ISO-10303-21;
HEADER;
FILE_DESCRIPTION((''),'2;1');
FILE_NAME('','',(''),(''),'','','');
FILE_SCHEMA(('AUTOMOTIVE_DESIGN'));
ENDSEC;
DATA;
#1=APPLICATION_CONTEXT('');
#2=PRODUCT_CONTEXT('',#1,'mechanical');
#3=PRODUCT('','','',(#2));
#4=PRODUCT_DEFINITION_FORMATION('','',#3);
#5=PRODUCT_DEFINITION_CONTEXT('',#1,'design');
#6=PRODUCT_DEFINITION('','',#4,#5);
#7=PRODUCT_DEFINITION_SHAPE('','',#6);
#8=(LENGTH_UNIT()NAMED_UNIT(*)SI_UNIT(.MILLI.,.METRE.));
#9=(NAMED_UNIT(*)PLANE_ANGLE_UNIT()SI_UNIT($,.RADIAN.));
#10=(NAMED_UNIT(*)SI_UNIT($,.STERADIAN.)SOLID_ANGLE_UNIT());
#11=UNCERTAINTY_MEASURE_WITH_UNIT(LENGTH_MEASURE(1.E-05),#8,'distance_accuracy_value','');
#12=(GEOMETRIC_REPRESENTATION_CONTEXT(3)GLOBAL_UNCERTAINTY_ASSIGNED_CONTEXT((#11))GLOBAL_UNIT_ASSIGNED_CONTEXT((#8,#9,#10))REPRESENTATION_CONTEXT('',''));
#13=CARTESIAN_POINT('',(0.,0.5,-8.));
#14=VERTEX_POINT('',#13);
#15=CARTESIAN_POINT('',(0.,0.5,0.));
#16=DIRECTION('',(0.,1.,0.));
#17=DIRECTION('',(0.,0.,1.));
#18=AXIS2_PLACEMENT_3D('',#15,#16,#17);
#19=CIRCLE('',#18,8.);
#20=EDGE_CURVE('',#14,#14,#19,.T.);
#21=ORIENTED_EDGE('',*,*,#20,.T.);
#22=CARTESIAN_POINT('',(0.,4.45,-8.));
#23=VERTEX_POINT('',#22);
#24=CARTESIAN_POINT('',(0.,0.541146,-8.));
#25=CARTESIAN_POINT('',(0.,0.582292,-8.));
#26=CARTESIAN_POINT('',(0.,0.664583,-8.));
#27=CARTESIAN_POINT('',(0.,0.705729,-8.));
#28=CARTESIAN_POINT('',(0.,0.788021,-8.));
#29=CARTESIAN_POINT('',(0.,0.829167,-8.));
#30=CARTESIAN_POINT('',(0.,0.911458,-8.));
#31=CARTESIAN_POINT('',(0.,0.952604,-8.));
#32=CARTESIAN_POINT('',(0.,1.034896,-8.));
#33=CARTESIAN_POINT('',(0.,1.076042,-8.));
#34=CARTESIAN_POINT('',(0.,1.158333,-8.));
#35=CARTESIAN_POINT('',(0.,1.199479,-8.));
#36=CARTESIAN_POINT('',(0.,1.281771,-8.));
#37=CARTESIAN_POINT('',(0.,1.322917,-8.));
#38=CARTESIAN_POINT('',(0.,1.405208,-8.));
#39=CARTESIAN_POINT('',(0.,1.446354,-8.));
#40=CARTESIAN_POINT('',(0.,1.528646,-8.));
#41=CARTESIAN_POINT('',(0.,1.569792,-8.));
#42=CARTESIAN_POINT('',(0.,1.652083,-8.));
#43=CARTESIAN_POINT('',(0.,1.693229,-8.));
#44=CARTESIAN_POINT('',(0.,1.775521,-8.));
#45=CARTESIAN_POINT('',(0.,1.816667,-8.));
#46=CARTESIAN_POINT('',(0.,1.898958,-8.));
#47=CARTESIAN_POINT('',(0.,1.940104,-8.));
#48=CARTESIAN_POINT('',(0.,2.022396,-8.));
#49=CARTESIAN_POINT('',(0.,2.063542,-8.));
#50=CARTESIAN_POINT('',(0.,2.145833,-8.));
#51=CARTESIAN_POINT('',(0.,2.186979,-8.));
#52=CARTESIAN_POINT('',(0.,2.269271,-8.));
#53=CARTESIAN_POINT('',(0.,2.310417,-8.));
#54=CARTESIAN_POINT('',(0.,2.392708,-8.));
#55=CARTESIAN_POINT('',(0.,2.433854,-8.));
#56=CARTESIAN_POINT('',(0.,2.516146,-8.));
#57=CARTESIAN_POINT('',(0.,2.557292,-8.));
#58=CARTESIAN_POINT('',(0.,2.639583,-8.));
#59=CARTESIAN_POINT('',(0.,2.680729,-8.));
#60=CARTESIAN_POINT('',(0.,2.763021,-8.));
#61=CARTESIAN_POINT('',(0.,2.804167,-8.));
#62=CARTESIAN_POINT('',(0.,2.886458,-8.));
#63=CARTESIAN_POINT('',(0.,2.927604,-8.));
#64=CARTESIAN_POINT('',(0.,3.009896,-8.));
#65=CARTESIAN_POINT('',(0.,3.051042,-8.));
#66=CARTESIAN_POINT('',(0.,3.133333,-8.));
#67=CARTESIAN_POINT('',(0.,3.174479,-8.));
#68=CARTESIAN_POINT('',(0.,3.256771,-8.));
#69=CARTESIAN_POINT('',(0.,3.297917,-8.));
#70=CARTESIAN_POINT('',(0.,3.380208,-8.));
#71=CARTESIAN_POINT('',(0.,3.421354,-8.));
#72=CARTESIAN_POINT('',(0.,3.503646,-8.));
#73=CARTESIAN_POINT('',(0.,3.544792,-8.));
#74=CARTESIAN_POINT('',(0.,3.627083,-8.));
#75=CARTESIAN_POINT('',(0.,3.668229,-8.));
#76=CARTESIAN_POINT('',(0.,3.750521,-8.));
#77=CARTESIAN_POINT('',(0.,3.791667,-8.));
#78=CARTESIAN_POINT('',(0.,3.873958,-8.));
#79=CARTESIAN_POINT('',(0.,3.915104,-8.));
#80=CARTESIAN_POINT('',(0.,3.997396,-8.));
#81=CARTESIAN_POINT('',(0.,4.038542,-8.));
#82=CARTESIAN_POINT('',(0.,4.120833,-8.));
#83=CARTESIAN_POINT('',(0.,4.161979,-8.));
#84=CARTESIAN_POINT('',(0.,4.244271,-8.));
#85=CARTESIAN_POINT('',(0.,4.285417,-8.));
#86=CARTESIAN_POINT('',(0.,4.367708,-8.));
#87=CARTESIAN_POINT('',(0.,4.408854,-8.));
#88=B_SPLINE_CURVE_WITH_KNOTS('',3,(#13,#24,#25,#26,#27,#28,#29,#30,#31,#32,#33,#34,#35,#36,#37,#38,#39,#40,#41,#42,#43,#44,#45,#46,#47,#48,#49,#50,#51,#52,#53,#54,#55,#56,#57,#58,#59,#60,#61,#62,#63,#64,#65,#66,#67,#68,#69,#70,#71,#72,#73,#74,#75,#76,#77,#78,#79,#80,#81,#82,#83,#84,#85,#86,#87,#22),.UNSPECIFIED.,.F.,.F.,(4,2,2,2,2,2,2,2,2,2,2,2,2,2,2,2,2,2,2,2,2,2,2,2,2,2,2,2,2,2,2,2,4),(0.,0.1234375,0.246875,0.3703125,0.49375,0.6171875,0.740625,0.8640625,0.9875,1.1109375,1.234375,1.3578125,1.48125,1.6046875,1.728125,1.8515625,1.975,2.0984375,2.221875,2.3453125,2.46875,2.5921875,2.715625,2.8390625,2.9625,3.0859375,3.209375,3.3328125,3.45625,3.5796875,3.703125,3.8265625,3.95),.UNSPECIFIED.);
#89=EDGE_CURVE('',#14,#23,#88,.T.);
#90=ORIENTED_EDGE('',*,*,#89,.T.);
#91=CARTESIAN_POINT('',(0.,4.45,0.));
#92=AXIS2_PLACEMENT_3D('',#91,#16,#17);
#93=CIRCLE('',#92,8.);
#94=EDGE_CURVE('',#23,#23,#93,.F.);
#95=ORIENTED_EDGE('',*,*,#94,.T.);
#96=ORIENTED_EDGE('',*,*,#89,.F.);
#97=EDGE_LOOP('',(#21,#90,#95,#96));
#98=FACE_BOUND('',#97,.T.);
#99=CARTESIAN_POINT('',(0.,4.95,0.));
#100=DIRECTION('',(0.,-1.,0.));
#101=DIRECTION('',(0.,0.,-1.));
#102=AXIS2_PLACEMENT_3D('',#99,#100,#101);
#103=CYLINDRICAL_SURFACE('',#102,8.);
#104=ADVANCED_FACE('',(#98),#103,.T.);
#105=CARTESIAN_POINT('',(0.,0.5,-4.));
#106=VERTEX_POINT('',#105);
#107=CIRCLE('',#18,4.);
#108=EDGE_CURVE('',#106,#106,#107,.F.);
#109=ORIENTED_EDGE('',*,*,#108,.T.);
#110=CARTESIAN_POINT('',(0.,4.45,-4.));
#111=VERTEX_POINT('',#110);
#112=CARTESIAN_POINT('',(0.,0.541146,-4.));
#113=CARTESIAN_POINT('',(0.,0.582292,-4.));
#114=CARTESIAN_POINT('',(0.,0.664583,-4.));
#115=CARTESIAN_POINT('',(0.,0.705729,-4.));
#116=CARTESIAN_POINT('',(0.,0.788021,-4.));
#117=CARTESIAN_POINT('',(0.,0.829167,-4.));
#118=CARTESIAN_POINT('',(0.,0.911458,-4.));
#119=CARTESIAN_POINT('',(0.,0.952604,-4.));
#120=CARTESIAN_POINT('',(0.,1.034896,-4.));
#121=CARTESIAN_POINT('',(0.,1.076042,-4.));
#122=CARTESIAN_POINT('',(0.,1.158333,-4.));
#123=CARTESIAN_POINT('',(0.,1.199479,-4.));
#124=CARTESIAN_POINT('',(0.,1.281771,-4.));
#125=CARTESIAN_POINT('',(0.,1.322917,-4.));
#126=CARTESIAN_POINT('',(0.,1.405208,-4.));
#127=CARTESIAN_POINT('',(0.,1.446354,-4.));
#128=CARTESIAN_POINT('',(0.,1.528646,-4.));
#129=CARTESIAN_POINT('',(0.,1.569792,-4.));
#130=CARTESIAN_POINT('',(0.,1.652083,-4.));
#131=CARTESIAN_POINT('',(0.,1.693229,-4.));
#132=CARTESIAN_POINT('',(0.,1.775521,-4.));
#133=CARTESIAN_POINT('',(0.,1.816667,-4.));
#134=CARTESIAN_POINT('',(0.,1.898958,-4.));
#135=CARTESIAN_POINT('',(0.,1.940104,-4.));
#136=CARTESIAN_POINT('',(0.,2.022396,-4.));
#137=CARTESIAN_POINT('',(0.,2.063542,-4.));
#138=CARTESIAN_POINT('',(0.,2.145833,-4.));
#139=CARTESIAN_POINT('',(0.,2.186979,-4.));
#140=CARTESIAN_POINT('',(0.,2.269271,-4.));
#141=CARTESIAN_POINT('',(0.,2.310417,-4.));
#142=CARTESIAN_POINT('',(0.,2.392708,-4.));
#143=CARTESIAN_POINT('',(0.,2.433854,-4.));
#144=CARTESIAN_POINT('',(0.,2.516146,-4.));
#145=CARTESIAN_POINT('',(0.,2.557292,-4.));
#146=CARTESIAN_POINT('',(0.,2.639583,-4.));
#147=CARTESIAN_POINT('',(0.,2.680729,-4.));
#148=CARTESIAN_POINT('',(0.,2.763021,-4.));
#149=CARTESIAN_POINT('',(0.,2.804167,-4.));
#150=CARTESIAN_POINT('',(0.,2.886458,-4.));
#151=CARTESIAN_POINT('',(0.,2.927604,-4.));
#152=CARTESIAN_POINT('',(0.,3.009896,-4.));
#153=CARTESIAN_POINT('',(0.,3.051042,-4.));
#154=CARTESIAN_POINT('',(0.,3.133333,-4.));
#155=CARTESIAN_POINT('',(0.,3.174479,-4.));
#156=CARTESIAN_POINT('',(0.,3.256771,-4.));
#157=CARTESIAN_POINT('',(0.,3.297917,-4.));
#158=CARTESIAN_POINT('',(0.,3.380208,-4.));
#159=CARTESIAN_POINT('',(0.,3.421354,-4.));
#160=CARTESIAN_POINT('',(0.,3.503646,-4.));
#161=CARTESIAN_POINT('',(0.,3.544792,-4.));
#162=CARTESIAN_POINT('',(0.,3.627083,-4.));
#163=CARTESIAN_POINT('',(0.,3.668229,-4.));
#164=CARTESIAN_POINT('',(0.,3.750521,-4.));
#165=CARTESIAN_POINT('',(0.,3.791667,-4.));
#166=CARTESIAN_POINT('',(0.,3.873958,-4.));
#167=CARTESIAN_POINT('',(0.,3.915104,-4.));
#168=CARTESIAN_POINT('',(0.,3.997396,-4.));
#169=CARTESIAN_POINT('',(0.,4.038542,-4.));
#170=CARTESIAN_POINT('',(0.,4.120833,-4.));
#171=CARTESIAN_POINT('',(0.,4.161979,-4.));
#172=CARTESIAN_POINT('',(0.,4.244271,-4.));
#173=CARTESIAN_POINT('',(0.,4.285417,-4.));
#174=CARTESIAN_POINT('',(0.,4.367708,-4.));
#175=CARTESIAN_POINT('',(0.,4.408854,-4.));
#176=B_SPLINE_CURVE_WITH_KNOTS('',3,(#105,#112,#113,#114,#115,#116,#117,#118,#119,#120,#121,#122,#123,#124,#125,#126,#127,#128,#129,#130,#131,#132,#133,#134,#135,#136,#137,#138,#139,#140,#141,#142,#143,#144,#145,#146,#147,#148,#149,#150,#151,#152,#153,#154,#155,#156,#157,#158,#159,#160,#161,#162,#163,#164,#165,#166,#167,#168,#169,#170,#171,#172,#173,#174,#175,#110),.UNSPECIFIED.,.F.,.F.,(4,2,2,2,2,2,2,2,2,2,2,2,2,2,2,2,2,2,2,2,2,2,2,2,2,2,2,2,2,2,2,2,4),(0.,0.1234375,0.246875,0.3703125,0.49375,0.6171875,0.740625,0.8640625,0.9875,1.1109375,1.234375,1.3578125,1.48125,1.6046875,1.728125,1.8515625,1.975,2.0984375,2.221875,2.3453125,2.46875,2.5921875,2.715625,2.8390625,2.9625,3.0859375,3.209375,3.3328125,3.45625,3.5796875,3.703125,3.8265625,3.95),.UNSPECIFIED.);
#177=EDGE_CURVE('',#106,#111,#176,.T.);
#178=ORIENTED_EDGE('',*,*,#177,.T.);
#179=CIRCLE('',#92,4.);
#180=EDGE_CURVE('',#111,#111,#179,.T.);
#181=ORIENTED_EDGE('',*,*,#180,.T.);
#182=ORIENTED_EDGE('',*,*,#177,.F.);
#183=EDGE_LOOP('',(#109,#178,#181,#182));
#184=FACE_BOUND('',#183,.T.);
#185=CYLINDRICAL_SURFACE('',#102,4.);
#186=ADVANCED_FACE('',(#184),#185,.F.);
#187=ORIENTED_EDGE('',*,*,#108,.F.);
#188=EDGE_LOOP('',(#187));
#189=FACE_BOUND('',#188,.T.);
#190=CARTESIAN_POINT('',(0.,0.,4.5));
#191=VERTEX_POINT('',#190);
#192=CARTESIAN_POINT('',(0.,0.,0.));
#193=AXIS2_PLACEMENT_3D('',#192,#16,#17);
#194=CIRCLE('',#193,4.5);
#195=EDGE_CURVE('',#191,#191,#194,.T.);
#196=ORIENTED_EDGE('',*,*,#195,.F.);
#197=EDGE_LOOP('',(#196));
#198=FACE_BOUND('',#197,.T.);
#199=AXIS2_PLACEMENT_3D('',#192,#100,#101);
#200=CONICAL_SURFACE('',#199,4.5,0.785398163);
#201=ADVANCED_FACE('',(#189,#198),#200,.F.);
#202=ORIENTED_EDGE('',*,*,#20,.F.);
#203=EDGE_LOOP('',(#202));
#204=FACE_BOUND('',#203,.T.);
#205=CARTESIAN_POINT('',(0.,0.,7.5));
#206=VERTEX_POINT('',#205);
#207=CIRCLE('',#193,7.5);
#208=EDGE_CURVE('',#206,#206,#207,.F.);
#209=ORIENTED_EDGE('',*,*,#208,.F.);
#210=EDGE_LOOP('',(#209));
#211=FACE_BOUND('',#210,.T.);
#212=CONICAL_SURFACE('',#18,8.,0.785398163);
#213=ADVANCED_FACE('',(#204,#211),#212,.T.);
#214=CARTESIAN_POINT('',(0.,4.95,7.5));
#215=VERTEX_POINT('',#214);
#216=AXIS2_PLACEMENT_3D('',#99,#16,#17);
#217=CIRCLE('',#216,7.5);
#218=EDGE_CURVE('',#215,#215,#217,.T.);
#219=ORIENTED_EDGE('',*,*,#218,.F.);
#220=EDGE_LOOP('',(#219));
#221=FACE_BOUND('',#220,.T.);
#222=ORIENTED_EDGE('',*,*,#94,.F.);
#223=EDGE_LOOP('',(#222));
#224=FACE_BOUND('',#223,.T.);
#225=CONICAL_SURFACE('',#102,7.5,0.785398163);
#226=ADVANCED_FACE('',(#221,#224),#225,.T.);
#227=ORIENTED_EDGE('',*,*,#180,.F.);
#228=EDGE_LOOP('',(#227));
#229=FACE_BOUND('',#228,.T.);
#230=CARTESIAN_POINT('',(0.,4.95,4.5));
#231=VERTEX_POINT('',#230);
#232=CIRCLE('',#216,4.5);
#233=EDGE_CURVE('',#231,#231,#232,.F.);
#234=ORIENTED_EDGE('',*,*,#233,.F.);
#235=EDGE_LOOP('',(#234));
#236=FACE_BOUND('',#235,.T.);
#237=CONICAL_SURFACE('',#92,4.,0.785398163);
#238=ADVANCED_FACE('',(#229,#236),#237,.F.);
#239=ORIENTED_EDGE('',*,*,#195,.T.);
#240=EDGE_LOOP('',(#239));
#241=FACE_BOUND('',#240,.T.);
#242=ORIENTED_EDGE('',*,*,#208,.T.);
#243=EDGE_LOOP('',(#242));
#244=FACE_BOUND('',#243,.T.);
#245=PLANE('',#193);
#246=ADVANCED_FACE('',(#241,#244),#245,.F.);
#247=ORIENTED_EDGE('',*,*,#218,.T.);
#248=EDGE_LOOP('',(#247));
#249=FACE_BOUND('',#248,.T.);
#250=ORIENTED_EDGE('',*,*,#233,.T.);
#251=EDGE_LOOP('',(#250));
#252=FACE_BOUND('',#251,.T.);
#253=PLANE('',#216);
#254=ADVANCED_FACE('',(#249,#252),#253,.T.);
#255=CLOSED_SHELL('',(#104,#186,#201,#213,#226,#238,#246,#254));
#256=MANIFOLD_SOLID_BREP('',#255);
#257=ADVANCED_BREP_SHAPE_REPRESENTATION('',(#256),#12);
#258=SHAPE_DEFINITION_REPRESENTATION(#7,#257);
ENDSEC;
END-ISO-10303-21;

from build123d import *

# Parameters (mm, degrees)
SKETCH1_R           = 8
SKETCH1_R_2         = 4
BOSS_EXTRUDE1_DEPTH = 4.95
CHAMFER1_SIZE       = 0.5


with BuildPart() as part:
    # Sketch1 → Boss-Extrude1 (new body)
    with BuildSketch(Plane(origin=(0, 0, 0), x_dir=(1, 0, 0), z_dir=(0, 1, 0))):
        with Locations(Location((0, 0, 0), (0, 0, 90))):
            Circle(SKETCH1_R)
        with Locations(Location((0, 0, 0), (0, 0, 90))):
            Circle(SKETCH1_R_2, mode=Mode.SUBTRACT)
    extrude(amount=BOSS_EXTRUDE1_DEPTH)

    # Chamfer1
    chamfer1_edges = [part.edges().sort_by_distance(p)[0] for p in [
        (0, 0, 8),
        (0, 4.95, 8),
        (0, 0, 4),
        (0, 4.95, 4),
    ]]
    chamfer(chamfer1_edges, length=CHAMFER1_SIZE)


solid = part.part
